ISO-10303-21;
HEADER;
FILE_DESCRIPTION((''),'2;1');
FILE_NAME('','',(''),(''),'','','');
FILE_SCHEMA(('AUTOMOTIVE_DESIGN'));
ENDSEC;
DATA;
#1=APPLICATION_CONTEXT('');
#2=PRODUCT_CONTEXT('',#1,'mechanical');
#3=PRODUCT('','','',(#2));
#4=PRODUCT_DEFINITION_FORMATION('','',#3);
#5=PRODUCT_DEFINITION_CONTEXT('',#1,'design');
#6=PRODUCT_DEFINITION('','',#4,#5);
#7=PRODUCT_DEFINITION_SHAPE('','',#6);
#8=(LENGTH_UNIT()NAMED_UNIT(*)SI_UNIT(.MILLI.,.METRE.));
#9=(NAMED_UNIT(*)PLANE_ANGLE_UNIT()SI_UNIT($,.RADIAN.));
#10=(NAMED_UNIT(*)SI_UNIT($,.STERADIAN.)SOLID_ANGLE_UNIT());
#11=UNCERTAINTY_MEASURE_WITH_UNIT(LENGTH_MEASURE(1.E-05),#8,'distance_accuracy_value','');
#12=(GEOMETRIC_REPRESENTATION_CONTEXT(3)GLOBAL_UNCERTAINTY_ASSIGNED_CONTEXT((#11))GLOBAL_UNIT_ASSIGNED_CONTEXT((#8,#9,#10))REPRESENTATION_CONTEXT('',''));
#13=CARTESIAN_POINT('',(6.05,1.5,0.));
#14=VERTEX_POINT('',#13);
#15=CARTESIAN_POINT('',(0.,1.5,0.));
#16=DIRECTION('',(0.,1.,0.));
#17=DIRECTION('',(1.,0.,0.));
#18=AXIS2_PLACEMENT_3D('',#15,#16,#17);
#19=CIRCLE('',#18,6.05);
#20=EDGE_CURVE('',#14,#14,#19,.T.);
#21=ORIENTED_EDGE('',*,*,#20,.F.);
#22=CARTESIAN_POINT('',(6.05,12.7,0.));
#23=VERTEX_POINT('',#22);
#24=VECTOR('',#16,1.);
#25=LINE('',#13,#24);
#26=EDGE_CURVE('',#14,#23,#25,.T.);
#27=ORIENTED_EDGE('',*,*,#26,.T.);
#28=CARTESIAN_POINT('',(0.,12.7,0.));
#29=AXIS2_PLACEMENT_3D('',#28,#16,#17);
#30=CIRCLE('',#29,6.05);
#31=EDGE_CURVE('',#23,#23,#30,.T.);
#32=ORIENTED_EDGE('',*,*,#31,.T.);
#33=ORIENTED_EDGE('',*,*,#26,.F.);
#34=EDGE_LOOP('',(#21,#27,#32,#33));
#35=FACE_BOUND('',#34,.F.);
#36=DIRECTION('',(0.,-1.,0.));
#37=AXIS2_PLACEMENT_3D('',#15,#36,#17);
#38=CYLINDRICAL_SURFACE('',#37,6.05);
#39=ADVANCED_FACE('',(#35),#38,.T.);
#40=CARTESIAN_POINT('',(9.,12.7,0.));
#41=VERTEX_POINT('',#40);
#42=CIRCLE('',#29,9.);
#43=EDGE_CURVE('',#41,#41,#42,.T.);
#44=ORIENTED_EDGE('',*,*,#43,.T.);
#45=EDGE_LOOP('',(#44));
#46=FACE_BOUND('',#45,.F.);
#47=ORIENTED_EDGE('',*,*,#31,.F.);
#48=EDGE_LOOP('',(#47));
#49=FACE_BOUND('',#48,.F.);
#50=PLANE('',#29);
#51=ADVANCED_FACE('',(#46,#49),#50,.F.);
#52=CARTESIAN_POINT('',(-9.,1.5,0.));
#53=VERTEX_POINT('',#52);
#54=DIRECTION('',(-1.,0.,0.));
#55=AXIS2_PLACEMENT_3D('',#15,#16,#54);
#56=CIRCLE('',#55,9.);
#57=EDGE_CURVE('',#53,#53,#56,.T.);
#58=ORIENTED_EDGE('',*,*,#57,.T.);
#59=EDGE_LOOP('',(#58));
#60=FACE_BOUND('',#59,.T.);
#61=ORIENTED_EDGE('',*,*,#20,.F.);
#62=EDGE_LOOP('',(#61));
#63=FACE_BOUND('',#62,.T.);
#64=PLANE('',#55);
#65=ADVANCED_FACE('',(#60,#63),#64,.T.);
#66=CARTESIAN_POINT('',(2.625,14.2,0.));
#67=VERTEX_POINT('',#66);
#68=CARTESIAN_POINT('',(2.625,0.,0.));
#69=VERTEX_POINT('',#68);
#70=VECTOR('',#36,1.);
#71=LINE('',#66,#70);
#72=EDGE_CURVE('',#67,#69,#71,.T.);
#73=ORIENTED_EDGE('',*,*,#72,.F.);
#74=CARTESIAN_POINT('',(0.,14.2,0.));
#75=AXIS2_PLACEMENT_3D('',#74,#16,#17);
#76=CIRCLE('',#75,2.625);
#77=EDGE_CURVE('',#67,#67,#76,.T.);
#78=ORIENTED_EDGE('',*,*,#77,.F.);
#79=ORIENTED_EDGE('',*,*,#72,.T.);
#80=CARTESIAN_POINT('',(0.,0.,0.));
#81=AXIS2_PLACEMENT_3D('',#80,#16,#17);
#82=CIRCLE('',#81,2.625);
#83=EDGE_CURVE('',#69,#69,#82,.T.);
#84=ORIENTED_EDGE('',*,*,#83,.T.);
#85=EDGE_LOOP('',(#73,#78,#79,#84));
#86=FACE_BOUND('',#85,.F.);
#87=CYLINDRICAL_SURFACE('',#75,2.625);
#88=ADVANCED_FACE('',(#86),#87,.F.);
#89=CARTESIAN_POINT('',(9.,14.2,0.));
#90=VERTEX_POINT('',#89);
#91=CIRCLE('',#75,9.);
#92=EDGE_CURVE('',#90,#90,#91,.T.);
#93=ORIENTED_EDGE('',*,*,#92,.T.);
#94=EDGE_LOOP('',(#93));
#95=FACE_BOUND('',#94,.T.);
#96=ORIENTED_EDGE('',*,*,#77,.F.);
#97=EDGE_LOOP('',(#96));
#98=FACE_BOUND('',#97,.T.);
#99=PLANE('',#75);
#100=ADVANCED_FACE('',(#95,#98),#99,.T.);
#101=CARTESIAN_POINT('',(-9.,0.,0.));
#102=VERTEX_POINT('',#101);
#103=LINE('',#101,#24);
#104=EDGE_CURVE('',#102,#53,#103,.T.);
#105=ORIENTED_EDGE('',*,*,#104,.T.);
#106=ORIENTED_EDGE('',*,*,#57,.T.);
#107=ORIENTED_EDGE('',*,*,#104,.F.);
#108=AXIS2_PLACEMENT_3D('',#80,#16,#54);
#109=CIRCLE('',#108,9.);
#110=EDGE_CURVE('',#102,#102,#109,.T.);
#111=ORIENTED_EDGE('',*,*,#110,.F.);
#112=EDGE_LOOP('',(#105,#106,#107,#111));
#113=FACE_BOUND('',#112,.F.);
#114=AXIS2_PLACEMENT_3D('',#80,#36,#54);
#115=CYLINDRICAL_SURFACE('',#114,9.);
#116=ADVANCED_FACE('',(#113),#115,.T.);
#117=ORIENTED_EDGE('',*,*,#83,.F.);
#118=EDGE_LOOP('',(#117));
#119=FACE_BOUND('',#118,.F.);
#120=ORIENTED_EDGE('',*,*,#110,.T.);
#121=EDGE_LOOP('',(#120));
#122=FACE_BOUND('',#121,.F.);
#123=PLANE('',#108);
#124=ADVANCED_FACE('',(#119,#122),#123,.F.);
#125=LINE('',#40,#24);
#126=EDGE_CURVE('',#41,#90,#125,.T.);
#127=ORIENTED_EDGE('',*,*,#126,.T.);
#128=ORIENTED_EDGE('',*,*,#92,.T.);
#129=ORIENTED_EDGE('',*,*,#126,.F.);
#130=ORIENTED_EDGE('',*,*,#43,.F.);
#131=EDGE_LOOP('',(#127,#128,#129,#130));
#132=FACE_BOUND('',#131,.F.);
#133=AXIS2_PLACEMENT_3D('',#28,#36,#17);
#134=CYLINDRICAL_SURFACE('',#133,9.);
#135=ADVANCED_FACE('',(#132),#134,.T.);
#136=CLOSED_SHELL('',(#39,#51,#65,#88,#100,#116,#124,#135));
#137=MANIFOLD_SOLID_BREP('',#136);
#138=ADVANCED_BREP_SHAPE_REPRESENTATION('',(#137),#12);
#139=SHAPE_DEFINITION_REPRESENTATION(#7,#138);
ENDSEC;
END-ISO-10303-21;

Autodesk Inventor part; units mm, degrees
ref_plane "YZ Plane" through (0, 0, 0) normal (1, 0, 0) x (0, 1, 0)
ref_plane "XZ Plane" through (0, 0, 0) normal (0, 1, 0) x (-1, 0, 0)
ref_plane "XY Plane" through (0, 0, 0) normal (0, 0, 1) x (1, 0, 0)
sketch "Sketch1" plane through (0, 0, 0) normal (0, 1, 0) x (-1, 0, 0)
  circle A0 centre (0, 0) radius 9
  dimension "d0" = 18
extrude "Extrusion1" add sketch "Sketch1" along normal blind 1.5
sketch "Sketch2" plane through (0, 1.5, 0) normal (0, 1, 0) x (1, 0, 0)
  circle A0 centre (0, 0) radius 6.05
  dimension "d3" = 12.1
extrude "Extrusion2" add sketch "Sketch2" along normal blind 11.2
sketch "Sketch3" plane through (0, 12.7, 0) normal (0, 1, 0) x (1, 0, 0)
  circle A0 centre (0, 0) radius 9
  dimension "d6" = 18
extrude "Extrusion3" add sketch "Sketch3" along normal blind 1.5
sketch "Sketch4" plane through (0, 14.2, 0) normal (0, 1, 0) x (1, 0, 0)
  circle A0 centre (0, 0) radius 6.05 projected
  circle A1 centre (0, 0) radius 2.625
  dimension "d9" = 5.25
extrude "Extrusion4" cut sketch "Sketch4" against normal through all contours A1
properties part number "10mm_Idle_Pulley"
